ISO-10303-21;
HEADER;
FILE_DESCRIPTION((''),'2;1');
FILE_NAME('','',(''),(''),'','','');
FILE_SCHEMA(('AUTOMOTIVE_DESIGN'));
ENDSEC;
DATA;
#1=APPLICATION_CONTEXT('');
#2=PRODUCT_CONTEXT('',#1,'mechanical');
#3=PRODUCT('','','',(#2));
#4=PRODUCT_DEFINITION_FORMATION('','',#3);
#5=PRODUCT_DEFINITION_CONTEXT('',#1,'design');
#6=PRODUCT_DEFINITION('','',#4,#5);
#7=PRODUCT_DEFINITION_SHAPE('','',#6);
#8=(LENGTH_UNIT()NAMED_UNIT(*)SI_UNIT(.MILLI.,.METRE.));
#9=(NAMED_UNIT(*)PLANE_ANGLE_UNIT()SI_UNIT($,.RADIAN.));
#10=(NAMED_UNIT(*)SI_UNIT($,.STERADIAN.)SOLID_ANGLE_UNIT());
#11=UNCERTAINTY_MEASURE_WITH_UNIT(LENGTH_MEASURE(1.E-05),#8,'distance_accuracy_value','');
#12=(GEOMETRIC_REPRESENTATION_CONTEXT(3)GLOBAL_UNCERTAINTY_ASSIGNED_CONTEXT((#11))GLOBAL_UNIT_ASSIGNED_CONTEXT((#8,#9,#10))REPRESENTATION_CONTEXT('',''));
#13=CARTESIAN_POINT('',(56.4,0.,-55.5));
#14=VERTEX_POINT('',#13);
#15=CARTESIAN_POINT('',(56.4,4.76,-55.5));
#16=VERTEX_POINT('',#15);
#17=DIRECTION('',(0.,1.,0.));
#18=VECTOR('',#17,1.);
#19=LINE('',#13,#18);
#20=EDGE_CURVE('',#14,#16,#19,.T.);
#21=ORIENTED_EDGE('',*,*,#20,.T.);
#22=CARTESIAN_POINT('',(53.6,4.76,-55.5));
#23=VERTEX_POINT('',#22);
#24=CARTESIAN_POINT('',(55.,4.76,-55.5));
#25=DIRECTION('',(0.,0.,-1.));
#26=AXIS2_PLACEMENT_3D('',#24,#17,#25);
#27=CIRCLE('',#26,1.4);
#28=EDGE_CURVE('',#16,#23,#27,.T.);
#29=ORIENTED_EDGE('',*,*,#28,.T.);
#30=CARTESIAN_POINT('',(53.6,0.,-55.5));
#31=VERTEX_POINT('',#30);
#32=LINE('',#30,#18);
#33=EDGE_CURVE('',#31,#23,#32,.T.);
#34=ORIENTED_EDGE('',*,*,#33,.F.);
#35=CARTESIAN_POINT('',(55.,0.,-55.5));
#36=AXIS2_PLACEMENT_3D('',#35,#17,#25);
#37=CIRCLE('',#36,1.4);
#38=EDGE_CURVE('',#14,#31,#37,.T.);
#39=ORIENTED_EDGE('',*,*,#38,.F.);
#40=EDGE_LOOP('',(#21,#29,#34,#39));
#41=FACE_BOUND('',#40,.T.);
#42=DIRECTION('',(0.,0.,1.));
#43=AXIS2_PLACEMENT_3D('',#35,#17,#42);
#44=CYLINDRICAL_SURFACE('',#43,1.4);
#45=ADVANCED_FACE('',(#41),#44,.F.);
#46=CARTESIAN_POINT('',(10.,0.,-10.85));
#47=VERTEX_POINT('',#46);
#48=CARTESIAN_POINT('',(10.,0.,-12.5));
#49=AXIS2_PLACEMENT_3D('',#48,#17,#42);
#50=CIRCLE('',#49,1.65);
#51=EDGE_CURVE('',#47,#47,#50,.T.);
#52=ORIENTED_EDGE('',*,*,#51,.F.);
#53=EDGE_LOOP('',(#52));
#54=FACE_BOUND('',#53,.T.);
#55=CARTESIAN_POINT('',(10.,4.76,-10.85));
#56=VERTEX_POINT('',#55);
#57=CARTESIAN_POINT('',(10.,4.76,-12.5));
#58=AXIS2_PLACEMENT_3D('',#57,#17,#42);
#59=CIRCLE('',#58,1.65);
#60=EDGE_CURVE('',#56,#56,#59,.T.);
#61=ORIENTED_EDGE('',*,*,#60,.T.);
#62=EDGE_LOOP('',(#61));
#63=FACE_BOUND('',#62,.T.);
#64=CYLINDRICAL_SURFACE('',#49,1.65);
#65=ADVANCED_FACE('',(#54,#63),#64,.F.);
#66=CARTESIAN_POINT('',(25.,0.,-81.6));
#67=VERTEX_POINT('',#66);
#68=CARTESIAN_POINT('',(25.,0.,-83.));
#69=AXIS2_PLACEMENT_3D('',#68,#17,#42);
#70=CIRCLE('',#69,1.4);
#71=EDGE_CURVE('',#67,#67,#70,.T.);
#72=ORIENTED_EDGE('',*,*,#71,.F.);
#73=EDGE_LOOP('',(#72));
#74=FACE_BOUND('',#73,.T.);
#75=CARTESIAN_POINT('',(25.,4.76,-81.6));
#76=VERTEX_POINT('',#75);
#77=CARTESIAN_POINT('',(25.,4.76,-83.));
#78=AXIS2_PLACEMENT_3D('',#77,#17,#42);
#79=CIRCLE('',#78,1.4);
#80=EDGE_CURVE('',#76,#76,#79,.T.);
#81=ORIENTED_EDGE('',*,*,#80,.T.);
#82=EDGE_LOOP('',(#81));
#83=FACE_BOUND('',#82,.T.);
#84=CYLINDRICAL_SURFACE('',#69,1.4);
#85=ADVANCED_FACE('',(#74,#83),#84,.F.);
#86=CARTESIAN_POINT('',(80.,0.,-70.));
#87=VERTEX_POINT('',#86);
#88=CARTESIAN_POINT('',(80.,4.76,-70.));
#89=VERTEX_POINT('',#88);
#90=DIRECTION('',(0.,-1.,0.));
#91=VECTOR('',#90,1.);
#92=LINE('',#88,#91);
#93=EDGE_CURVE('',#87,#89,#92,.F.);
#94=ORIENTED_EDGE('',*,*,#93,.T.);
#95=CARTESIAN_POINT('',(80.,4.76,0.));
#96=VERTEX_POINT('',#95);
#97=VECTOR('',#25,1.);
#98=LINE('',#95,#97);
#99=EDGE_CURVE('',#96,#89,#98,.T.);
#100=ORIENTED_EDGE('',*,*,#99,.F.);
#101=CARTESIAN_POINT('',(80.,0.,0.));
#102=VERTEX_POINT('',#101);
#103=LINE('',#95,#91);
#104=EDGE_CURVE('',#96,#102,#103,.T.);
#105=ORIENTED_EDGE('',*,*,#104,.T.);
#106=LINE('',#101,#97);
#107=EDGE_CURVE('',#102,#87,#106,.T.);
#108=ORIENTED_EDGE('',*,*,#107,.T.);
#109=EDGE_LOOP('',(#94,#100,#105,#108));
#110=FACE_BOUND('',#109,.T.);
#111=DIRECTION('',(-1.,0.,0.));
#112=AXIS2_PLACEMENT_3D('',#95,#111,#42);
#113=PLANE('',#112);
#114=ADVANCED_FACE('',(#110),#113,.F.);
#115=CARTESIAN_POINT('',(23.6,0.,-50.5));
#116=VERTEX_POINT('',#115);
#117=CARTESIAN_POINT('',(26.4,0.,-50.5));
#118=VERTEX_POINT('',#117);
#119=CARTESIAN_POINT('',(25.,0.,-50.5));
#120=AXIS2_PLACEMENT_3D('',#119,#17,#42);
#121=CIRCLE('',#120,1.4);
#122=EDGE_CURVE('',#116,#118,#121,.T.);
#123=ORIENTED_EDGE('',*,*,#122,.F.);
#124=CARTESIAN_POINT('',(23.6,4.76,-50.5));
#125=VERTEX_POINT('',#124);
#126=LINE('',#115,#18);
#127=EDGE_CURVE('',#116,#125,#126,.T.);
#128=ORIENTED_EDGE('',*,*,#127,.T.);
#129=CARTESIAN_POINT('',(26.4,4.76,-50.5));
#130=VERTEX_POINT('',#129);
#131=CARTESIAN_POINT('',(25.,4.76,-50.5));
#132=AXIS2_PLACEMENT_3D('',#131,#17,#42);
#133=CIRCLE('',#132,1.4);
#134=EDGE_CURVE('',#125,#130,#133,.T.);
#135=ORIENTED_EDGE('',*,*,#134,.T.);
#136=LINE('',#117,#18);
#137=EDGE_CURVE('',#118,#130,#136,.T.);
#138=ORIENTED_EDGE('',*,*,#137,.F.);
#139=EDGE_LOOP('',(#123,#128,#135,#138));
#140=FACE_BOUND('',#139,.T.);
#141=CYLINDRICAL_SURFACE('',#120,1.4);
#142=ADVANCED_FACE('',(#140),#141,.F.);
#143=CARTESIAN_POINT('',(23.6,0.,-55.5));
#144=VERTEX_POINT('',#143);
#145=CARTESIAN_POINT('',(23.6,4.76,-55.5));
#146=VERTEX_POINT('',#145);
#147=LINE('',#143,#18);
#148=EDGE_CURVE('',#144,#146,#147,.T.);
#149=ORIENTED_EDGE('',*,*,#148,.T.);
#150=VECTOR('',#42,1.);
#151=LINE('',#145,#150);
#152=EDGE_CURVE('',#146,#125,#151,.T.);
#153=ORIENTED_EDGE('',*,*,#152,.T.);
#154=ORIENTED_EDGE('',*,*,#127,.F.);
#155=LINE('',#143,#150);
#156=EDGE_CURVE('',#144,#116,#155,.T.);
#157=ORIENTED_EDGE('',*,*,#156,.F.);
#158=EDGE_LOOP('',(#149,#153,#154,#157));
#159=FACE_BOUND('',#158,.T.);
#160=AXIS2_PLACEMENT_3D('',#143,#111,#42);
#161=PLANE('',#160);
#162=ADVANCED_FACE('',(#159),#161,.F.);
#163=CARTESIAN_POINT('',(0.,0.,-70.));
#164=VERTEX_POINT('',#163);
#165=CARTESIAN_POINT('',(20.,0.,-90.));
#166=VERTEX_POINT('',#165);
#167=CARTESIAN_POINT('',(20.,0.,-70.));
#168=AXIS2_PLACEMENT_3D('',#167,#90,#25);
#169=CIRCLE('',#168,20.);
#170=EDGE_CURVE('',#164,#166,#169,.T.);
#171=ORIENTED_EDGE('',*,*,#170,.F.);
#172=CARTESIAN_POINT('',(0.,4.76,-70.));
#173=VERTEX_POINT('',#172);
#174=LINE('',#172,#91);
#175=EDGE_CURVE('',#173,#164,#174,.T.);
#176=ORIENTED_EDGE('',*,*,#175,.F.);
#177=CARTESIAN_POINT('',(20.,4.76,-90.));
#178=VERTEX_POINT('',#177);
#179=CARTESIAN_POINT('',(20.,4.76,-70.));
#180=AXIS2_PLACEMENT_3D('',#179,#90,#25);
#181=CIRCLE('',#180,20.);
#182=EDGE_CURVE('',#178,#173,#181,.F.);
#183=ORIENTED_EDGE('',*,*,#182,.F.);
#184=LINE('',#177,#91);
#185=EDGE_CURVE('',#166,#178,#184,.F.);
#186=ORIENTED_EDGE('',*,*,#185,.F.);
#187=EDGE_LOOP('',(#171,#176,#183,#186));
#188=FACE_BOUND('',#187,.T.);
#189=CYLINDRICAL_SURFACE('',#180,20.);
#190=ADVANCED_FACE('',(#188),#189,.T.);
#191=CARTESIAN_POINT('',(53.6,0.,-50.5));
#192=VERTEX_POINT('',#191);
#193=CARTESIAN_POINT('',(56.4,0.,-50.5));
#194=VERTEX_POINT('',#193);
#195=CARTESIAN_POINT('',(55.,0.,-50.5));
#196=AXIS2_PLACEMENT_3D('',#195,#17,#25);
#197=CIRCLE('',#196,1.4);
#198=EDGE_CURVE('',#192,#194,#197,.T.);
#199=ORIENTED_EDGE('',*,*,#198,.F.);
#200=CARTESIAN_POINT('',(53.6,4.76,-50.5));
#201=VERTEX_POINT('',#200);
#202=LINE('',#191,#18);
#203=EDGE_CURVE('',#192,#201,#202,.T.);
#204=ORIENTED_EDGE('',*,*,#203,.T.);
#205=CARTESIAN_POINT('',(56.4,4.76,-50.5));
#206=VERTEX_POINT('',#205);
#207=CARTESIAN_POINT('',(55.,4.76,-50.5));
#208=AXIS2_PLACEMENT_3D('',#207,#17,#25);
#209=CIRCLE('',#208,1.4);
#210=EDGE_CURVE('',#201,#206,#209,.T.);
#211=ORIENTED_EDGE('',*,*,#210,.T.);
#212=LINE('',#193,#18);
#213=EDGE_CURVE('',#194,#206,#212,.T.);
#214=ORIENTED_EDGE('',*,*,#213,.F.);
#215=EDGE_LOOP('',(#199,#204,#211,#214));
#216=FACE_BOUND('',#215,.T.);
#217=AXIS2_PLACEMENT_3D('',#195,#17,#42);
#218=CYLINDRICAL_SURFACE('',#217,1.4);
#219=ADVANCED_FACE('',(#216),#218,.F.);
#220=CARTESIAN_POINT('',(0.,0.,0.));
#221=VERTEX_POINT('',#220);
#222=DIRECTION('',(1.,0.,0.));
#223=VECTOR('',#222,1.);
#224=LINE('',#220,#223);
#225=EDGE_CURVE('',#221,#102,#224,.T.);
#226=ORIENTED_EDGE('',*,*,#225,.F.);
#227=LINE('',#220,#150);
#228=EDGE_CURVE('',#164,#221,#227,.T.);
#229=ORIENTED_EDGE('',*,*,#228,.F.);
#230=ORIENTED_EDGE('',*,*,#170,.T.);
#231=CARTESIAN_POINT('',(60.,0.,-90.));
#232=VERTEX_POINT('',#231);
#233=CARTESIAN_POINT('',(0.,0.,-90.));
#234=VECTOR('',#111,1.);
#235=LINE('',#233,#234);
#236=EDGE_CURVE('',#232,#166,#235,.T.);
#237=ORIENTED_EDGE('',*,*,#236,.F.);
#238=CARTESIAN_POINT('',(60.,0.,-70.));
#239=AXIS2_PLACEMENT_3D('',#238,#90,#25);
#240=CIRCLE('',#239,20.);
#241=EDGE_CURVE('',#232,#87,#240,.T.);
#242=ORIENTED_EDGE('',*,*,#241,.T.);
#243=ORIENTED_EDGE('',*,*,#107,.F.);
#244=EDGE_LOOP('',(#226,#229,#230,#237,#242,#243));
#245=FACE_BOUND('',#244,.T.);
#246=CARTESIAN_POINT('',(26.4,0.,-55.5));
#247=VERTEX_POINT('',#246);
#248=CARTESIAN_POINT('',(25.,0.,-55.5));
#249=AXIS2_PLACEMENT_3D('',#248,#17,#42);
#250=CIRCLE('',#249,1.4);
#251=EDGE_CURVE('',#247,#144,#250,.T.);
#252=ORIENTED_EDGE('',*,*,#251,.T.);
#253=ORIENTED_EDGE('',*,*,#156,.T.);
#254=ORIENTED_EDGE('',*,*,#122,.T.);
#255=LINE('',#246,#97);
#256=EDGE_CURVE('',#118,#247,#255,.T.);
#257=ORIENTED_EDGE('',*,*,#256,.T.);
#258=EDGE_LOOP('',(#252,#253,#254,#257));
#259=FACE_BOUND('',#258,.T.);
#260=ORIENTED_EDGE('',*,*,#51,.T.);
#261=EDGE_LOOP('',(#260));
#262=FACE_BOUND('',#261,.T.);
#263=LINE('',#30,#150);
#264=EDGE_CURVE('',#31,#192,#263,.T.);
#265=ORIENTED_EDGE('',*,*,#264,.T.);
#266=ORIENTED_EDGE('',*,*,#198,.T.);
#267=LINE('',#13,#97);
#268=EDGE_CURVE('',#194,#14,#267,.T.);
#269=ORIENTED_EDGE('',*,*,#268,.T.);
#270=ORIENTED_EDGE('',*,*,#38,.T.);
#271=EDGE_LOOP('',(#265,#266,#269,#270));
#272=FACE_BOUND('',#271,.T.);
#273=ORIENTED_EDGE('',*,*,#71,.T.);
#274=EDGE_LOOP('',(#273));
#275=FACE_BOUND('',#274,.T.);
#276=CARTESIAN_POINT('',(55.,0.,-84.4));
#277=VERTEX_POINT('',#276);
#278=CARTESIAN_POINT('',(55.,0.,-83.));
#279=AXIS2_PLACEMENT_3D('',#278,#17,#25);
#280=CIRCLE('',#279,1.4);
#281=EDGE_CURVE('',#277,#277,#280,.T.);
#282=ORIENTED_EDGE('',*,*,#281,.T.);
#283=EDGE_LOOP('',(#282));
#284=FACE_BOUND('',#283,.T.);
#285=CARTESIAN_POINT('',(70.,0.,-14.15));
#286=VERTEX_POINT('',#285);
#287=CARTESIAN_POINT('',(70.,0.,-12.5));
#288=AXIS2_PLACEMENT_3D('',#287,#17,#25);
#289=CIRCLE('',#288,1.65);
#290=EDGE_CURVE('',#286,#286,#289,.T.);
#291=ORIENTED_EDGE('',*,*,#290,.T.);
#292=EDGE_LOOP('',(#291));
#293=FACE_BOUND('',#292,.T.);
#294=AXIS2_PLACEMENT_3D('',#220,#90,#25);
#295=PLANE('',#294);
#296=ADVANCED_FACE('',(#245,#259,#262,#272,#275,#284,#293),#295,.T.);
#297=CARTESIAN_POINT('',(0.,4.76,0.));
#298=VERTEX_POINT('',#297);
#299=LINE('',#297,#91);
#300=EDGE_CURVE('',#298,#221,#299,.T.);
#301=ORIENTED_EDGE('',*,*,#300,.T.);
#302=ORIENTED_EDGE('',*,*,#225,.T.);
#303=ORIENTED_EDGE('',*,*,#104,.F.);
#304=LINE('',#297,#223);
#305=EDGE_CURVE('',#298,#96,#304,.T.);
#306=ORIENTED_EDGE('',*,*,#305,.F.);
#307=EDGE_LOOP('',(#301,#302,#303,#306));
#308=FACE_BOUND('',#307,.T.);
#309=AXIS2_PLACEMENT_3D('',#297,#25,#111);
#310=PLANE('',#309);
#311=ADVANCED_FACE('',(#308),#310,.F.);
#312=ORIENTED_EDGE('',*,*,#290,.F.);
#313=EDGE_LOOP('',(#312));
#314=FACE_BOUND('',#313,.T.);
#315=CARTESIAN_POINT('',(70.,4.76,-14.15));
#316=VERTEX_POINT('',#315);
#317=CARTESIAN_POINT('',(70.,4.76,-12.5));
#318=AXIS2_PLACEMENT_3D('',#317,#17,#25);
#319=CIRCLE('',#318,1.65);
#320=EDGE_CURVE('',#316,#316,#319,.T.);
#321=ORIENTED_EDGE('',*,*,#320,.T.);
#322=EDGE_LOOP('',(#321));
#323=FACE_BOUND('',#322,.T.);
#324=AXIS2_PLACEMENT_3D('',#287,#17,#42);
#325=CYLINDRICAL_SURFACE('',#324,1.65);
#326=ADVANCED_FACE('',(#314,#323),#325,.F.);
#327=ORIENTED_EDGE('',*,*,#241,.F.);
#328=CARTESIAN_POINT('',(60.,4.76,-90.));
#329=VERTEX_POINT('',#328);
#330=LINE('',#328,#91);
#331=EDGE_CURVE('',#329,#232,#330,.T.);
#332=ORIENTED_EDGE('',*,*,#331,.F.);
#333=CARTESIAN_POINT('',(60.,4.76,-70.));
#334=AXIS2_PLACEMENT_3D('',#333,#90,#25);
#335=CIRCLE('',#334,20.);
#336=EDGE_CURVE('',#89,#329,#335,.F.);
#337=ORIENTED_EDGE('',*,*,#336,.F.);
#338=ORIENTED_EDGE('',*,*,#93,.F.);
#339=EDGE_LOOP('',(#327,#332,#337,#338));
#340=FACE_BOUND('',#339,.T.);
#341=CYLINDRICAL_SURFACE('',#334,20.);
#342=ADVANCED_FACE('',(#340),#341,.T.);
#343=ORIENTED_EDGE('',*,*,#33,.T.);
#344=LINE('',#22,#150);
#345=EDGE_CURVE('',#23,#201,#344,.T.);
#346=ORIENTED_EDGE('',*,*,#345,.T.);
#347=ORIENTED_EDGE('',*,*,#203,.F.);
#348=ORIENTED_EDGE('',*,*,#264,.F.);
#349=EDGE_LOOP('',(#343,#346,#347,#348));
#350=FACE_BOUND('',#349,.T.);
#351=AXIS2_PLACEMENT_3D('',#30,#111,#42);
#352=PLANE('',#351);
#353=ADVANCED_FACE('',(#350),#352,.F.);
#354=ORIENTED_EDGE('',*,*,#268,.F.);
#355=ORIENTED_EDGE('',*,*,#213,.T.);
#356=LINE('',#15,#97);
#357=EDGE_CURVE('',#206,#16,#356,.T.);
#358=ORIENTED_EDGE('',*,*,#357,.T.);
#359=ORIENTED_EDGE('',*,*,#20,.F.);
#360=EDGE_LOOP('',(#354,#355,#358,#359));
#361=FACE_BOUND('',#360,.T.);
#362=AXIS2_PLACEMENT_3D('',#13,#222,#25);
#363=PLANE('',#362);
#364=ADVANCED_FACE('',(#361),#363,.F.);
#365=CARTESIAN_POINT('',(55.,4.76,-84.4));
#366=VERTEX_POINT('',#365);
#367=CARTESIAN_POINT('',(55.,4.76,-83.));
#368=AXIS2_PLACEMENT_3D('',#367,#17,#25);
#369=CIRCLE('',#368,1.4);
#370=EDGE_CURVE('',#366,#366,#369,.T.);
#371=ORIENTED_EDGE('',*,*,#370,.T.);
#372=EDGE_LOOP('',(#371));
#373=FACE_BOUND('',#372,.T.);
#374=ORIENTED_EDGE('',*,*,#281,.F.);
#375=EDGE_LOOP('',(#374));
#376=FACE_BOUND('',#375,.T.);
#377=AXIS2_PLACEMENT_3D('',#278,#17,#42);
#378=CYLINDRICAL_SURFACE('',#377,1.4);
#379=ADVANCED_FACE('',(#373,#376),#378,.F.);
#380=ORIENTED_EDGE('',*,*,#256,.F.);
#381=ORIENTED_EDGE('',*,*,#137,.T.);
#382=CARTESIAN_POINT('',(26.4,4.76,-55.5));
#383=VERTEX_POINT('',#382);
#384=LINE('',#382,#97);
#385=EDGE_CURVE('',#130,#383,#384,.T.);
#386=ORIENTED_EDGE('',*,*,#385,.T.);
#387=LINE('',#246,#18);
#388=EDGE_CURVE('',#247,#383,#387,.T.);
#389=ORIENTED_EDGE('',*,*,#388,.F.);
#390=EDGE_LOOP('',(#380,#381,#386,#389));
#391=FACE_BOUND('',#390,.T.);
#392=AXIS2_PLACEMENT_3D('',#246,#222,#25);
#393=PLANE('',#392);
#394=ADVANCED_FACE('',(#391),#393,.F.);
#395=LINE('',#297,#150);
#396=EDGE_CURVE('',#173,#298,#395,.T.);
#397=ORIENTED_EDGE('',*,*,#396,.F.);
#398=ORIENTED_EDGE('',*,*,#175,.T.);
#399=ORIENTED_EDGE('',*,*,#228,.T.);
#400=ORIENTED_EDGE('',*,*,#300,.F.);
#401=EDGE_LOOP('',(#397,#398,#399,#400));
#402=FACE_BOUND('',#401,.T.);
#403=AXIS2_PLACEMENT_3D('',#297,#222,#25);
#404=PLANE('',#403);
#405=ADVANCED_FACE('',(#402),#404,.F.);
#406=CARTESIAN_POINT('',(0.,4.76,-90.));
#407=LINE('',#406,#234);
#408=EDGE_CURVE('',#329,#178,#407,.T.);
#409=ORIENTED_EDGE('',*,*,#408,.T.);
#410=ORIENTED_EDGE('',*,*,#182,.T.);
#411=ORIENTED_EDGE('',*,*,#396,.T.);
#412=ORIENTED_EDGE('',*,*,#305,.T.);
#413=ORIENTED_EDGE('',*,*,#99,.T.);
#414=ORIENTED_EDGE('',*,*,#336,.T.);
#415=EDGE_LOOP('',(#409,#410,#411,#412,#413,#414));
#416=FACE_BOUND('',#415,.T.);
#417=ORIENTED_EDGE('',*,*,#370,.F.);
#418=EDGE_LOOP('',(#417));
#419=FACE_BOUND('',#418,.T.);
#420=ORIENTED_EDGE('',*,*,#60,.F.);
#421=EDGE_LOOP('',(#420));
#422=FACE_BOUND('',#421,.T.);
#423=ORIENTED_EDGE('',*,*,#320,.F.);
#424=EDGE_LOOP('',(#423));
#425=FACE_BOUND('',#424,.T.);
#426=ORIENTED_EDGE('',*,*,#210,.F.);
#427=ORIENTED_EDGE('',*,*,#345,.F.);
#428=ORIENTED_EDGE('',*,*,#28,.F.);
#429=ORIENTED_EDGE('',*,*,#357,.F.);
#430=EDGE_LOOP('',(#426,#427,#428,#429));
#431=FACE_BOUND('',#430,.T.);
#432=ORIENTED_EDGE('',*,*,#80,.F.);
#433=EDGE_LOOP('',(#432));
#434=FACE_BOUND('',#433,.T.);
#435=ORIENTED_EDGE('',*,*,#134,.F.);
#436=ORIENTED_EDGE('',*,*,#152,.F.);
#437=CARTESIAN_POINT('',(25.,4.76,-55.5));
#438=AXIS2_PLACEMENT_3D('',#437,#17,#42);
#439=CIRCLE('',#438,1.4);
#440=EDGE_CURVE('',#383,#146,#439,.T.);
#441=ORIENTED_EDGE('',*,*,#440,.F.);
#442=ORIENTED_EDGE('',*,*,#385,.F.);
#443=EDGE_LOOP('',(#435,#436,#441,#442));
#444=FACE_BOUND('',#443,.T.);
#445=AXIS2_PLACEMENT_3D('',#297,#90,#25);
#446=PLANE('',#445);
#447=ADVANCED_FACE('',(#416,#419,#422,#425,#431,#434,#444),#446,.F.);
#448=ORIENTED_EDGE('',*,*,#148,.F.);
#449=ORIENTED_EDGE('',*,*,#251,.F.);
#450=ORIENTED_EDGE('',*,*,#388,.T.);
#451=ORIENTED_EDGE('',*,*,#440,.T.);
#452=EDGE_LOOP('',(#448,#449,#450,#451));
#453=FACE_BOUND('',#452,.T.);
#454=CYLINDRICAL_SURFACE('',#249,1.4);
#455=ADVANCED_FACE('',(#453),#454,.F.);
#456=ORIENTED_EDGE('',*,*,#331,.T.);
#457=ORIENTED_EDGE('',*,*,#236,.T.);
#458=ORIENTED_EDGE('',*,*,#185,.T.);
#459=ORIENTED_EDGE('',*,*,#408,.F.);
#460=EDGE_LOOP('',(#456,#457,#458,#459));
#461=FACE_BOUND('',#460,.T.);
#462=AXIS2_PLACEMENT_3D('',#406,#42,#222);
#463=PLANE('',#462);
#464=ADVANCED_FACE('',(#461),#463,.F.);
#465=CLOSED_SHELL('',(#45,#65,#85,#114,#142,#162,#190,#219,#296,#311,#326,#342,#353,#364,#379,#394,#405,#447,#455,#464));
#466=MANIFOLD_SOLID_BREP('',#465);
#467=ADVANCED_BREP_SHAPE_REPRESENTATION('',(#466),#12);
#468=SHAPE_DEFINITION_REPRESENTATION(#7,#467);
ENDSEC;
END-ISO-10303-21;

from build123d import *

# Parameters (mm, degrees)
SKETCH1_W           = 80
SKETCH1_H           = 90
BOSS_EXTRUDE1_DEPTH = 4.76
SKETCH2_R           = 1.65
SKETCH2_R_2         = 1.4
CUT_EXTRUDE1_DEPTH  = 5.76
FILLET1_R           = 20


with BuildPart() as part:
    # Sketch1 → Boss-Extrude1 (new body)
    with BuildSketch(Plane(origin=(0, 0, 0), x_dir=(1, 0, 0), z_dir=(0, 1, 0))):
        with Locations((40, 45)):
            Rectangle(SKETCH1_W, SKETCH1_H)
    extrude(amount=BOSS_EXTRUDE1_DEPTH)

    # Sketch2 → Cut-Extrude1 (cut, through all)
    with BuildSketch(Plane(origin=(0, 4.76, 0), x_dir=(1, 0, 0), z_dir=(0, 1, 0))):
        with Locations((10, 12.5)):
            Circle(SKETCH2_R)
        with Locations((70, 12.5)):
            Circle(SKETCH2_R)
        with Locations((25, 83)):
            Circle(SKETCH2_R_2)
        with Locations((55, 83)):
            Circle(SKETCH2_R_2)
        with BuildLine():
            Line((26.4, 55.5), (26.4, 50.5))
            ThreePointArc((26.4, 50.5), (25, 49.1), (23.6, 50.5))
            Line((23.6, 50.5), (23.6, 55.5))
            ThreePointArc((23.6, 55.5), (25, 56.9), (26.4, 55.5))
        make_face()
        with BuildLine():
            Line((53.6, 55.5), (53.6, 50.5))
            ThreePointArc((53.6, 50.5), (55, 49.1), (56.4, 50.5))
            Line((56.4, 50.5), (56.4, 55.5))
            ThreePointArc((56.4, 55.5), (55, 56.9), (53.6, 55.5))
        make_face()
    extrude(amount=-CUT_EXTRUDE1_DEPTH, mode=Mode.SUBTRACT)

    # Fillet1
    fillet1_edges = [part.edges().sort_by_distance(p)[0] for p in [
        (0, 2.38, -90),
        (80, 2.38, -90),
    ]]
    fillet(fillet1_edges, radius=FILLET1_R)


solid = part.part
